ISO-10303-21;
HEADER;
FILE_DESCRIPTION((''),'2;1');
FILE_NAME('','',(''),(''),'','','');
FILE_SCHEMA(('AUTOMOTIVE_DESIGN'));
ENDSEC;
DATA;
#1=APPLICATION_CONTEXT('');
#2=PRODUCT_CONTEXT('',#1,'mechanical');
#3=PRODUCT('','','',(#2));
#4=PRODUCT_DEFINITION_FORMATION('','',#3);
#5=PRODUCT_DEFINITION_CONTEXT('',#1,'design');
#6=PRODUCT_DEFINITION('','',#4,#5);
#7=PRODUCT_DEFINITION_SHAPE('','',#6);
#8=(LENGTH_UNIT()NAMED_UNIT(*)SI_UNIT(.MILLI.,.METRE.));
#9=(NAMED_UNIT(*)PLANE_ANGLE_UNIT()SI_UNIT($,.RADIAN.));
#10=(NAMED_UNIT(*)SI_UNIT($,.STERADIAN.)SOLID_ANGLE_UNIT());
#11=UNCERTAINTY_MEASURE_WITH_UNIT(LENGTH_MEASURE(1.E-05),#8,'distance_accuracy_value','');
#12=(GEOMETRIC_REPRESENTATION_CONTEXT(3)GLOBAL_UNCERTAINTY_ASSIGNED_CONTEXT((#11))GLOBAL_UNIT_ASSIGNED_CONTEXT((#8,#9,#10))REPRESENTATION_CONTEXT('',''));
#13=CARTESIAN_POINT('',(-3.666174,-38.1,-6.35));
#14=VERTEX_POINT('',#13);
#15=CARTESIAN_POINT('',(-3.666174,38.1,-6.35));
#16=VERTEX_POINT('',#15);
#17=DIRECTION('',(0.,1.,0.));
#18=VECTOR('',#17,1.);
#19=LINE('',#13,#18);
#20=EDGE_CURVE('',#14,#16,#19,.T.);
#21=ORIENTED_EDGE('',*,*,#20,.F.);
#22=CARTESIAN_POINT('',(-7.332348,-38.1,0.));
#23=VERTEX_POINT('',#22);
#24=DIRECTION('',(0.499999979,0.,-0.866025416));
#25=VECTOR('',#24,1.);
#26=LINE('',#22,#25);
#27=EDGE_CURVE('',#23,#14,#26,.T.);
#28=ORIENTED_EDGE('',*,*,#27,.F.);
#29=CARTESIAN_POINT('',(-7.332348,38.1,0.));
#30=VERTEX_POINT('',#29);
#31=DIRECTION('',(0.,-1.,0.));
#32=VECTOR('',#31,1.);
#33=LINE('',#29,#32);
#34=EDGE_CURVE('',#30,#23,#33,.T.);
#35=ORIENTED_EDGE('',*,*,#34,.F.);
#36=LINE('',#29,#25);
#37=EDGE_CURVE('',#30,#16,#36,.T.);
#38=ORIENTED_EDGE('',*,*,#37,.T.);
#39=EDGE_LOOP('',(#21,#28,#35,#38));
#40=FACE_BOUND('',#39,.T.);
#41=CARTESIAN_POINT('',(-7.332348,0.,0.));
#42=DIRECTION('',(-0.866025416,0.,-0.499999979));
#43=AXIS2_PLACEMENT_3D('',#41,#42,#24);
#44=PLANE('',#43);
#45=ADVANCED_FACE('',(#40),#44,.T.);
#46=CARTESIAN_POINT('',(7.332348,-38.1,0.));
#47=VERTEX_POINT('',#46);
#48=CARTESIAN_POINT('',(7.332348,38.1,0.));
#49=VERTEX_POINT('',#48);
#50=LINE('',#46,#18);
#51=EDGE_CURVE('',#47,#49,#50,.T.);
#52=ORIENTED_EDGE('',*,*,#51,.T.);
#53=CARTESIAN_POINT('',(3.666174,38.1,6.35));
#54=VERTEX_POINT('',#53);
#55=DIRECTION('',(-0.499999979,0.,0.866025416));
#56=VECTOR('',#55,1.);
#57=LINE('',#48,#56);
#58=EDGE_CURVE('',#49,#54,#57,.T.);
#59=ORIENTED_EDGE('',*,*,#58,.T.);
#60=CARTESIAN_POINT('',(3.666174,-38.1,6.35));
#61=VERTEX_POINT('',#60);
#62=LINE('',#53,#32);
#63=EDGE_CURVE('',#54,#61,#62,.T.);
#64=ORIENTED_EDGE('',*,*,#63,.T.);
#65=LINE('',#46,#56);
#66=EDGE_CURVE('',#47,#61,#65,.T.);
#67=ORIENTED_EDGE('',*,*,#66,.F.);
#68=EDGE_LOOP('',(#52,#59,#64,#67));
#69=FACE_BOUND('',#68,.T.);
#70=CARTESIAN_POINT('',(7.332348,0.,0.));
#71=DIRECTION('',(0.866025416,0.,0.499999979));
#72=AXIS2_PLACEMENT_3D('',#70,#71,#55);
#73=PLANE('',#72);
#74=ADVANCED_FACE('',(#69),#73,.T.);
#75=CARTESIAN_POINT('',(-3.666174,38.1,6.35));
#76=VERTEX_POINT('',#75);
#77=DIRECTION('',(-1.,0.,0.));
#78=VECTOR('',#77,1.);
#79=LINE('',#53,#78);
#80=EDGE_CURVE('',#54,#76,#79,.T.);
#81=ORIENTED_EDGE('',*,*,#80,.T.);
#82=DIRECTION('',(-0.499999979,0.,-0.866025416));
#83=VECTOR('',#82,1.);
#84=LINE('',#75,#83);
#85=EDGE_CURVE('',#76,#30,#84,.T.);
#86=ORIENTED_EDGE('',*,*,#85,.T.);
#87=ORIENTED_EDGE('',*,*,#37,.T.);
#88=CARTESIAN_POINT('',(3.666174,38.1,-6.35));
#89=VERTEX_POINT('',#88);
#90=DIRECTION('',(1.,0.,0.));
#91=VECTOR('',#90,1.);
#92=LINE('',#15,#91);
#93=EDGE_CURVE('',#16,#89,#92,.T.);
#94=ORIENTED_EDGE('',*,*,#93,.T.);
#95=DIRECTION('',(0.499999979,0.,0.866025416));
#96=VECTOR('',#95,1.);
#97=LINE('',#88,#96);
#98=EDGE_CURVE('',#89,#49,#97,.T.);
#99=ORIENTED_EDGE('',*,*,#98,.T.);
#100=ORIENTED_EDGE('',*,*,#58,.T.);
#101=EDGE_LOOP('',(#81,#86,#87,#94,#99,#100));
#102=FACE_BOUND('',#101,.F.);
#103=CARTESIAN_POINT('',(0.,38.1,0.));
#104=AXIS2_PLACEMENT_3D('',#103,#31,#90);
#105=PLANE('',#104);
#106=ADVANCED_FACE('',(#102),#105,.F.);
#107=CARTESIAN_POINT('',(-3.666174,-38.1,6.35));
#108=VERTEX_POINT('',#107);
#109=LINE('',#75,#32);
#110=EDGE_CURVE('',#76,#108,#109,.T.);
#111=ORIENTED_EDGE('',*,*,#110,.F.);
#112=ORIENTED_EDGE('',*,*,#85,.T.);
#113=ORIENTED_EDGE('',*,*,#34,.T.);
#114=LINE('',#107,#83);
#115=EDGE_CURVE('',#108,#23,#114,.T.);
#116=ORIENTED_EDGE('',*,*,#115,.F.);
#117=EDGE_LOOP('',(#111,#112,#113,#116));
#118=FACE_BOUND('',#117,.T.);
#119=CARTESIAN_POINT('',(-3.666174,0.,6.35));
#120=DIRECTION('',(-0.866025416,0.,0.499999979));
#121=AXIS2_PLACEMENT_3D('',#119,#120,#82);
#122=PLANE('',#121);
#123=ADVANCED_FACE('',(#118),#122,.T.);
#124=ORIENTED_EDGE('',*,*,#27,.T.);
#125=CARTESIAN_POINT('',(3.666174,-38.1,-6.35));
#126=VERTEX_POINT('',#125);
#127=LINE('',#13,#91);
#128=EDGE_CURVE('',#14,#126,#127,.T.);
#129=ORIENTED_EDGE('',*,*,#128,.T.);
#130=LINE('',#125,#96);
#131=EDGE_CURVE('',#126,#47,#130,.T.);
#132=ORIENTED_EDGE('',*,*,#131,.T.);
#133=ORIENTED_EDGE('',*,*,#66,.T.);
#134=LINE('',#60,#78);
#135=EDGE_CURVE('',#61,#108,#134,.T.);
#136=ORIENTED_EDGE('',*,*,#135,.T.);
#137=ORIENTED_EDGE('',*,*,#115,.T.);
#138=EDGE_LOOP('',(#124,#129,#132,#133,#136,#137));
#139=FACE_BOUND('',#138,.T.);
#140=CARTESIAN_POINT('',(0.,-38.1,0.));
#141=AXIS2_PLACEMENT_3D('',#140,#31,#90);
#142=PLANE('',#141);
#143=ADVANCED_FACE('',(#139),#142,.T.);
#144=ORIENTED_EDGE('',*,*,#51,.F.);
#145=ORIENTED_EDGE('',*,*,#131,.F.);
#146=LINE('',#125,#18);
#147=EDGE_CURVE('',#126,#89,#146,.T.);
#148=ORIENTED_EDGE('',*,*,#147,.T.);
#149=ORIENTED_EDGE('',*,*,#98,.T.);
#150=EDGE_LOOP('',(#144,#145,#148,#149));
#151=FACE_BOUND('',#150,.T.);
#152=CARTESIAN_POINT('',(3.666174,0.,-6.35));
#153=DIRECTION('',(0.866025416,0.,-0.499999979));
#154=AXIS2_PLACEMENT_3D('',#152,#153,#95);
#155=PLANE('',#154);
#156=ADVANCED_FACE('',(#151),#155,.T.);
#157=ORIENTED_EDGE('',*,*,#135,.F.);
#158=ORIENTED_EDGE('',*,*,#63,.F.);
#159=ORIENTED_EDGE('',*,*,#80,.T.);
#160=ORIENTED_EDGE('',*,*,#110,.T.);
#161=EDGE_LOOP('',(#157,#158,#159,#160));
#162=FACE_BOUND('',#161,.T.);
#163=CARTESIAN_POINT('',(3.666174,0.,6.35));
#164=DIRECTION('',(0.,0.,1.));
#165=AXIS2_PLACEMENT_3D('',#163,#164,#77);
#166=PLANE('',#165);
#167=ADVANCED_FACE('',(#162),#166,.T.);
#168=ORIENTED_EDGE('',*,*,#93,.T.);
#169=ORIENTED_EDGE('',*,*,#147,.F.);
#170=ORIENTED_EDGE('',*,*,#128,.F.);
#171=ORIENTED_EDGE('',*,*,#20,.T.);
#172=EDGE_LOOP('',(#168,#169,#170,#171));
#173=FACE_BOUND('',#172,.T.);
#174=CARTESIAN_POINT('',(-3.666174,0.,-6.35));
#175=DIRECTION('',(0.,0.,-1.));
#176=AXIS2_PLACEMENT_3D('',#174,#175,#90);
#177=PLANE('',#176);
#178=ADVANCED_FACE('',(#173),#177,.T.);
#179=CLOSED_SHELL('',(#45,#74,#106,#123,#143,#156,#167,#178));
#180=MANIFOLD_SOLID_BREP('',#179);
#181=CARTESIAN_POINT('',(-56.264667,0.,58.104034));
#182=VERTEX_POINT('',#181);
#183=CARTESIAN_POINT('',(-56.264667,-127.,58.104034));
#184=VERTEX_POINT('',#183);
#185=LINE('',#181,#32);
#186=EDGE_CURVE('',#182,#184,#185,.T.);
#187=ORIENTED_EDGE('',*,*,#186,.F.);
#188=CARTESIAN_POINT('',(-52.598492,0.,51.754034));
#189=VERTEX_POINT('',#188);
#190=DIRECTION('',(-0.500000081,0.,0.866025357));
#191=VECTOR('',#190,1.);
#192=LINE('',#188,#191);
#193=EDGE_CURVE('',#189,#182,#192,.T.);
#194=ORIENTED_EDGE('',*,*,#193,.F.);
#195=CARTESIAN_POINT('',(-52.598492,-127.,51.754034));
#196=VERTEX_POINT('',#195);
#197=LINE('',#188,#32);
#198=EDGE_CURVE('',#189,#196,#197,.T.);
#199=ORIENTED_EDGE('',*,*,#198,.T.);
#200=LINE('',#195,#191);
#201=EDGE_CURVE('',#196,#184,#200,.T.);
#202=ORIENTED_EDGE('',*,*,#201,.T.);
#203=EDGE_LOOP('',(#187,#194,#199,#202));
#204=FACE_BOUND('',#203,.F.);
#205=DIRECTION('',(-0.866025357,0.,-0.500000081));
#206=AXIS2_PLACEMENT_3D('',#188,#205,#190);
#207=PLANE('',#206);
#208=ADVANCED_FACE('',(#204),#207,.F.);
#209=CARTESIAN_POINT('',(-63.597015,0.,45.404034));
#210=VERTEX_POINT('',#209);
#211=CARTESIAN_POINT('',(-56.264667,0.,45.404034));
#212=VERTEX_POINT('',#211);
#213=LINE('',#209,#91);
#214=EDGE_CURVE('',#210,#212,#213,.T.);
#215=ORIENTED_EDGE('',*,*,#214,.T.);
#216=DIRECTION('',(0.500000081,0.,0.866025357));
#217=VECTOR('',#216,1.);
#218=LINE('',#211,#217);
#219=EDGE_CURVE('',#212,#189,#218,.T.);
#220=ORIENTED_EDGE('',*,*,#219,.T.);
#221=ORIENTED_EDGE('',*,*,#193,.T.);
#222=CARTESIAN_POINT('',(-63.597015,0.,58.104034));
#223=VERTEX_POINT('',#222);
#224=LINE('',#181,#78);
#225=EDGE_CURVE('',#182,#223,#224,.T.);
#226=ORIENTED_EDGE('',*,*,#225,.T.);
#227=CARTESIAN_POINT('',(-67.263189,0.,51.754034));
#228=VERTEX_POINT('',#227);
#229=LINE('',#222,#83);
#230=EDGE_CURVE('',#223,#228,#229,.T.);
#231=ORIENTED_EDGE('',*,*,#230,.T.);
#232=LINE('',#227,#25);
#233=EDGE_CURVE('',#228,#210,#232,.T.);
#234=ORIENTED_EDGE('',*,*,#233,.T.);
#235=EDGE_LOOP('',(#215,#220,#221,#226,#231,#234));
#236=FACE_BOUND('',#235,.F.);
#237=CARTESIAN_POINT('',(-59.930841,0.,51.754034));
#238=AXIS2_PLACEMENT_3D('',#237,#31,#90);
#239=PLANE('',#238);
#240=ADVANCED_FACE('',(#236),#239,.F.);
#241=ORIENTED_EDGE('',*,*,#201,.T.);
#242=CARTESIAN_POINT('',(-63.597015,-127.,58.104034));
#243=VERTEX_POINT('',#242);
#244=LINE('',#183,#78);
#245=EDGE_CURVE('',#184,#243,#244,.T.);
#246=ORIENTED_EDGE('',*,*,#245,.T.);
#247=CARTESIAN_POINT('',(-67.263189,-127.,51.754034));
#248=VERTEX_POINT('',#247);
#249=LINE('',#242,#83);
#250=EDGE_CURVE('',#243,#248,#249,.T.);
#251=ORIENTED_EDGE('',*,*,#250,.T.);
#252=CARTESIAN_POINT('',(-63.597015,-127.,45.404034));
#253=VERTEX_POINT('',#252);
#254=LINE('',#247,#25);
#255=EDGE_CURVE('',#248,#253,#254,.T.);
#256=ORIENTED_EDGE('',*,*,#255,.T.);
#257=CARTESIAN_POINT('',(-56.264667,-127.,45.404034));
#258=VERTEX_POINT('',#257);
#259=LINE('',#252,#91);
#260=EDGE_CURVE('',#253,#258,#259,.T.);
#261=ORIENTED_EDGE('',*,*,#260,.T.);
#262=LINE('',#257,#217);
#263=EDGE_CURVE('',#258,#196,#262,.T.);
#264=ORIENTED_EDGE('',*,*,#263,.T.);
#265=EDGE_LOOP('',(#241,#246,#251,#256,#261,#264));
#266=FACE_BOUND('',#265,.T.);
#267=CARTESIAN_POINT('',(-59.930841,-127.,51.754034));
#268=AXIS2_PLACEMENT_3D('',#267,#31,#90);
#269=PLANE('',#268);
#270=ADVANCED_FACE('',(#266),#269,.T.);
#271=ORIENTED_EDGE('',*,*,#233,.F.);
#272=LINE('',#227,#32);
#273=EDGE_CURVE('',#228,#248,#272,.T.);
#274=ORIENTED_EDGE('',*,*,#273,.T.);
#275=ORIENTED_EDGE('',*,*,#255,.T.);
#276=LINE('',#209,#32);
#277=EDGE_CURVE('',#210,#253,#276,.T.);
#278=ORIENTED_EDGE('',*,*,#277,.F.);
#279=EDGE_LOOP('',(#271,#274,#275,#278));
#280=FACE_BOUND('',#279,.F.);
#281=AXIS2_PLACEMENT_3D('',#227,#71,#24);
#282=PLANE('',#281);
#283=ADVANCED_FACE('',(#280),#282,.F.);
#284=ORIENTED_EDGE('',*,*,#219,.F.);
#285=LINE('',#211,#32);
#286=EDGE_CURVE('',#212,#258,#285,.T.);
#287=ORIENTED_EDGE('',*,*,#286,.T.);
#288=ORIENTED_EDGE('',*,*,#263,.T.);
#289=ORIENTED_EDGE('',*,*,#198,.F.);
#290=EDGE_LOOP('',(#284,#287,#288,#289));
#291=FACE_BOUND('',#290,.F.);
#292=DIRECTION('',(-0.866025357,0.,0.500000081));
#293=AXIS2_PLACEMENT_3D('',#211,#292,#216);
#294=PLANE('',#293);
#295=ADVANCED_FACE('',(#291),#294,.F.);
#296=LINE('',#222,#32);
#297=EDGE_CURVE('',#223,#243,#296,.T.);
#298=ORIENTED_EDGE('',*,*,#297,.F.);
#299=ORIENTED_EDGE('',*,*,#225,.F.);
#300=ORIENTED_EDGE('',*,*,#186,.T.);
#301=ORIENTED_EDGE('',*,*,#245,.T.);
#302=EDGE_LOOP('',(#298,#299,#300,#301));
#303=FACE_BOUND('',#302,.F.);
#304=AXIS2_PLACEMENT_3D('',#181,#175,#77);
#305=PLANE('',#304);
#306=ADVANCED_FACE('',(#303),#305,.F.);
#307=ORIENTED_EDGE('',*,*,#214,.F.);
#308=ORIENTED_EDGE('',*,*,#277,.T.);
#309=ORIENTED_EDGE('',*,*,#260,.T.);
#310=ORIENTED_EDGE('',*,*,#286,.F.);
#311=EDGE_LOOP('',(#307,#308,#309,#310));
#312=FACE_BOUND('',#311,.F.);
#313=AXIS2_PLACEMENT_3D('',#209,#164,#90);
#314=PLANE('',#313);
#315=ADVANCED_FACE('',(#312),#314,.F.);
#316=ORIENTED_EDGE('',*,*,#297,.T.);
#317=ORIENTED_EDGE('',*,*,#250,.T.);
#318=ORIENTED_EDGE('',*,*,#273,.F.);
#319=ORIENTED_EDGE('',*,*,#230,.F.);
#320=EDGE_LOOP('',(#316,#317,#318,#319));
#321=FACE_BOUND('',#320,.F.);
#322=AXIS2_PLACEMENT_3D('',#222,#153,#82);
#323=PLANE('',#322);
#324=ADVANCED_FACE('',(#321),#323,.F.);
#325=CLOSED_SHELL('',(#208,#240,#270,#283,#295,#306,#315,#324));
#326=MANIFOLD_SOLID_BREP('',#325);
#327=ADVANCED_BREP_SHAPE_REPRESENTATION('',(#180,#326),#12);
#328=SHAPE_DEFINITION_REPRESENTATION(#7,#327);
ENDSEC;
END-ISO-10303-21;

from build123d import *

# Parameters (mm, degrees)
F1_DEPTH = 38.1
F3_DEPTH = 127


with BuildPart() as f1:
    # F0 (on Front) → F1 (new body, symmetric)
    with BuildSketch(Plane.XZ):
        Polygon((7.332348, 0), (3.666174, 6.35), (-3.666174, 6.35), (-7.332348, 0), (-3.666174, -6.35), (3.666174, -6.35), align=None)
    extrude(amount=F1_DEPTH, both=True)


with BuildPart() as f3:
    # F2 (on Front) → F3 (new body)
    with BuildSketch(Plane.XZ):
        Polygon((-52.598492, 51.754034), (-56.264667, 58.104034), (-63.597015, 58.104034), (-67.263189, 51.754034), (-63.597015, 45.404034), (-56.264667, 45.404034), align=None)
    extrude(amount=F3_DEPTH)


solid = Compound([f1.part, f3.part])
